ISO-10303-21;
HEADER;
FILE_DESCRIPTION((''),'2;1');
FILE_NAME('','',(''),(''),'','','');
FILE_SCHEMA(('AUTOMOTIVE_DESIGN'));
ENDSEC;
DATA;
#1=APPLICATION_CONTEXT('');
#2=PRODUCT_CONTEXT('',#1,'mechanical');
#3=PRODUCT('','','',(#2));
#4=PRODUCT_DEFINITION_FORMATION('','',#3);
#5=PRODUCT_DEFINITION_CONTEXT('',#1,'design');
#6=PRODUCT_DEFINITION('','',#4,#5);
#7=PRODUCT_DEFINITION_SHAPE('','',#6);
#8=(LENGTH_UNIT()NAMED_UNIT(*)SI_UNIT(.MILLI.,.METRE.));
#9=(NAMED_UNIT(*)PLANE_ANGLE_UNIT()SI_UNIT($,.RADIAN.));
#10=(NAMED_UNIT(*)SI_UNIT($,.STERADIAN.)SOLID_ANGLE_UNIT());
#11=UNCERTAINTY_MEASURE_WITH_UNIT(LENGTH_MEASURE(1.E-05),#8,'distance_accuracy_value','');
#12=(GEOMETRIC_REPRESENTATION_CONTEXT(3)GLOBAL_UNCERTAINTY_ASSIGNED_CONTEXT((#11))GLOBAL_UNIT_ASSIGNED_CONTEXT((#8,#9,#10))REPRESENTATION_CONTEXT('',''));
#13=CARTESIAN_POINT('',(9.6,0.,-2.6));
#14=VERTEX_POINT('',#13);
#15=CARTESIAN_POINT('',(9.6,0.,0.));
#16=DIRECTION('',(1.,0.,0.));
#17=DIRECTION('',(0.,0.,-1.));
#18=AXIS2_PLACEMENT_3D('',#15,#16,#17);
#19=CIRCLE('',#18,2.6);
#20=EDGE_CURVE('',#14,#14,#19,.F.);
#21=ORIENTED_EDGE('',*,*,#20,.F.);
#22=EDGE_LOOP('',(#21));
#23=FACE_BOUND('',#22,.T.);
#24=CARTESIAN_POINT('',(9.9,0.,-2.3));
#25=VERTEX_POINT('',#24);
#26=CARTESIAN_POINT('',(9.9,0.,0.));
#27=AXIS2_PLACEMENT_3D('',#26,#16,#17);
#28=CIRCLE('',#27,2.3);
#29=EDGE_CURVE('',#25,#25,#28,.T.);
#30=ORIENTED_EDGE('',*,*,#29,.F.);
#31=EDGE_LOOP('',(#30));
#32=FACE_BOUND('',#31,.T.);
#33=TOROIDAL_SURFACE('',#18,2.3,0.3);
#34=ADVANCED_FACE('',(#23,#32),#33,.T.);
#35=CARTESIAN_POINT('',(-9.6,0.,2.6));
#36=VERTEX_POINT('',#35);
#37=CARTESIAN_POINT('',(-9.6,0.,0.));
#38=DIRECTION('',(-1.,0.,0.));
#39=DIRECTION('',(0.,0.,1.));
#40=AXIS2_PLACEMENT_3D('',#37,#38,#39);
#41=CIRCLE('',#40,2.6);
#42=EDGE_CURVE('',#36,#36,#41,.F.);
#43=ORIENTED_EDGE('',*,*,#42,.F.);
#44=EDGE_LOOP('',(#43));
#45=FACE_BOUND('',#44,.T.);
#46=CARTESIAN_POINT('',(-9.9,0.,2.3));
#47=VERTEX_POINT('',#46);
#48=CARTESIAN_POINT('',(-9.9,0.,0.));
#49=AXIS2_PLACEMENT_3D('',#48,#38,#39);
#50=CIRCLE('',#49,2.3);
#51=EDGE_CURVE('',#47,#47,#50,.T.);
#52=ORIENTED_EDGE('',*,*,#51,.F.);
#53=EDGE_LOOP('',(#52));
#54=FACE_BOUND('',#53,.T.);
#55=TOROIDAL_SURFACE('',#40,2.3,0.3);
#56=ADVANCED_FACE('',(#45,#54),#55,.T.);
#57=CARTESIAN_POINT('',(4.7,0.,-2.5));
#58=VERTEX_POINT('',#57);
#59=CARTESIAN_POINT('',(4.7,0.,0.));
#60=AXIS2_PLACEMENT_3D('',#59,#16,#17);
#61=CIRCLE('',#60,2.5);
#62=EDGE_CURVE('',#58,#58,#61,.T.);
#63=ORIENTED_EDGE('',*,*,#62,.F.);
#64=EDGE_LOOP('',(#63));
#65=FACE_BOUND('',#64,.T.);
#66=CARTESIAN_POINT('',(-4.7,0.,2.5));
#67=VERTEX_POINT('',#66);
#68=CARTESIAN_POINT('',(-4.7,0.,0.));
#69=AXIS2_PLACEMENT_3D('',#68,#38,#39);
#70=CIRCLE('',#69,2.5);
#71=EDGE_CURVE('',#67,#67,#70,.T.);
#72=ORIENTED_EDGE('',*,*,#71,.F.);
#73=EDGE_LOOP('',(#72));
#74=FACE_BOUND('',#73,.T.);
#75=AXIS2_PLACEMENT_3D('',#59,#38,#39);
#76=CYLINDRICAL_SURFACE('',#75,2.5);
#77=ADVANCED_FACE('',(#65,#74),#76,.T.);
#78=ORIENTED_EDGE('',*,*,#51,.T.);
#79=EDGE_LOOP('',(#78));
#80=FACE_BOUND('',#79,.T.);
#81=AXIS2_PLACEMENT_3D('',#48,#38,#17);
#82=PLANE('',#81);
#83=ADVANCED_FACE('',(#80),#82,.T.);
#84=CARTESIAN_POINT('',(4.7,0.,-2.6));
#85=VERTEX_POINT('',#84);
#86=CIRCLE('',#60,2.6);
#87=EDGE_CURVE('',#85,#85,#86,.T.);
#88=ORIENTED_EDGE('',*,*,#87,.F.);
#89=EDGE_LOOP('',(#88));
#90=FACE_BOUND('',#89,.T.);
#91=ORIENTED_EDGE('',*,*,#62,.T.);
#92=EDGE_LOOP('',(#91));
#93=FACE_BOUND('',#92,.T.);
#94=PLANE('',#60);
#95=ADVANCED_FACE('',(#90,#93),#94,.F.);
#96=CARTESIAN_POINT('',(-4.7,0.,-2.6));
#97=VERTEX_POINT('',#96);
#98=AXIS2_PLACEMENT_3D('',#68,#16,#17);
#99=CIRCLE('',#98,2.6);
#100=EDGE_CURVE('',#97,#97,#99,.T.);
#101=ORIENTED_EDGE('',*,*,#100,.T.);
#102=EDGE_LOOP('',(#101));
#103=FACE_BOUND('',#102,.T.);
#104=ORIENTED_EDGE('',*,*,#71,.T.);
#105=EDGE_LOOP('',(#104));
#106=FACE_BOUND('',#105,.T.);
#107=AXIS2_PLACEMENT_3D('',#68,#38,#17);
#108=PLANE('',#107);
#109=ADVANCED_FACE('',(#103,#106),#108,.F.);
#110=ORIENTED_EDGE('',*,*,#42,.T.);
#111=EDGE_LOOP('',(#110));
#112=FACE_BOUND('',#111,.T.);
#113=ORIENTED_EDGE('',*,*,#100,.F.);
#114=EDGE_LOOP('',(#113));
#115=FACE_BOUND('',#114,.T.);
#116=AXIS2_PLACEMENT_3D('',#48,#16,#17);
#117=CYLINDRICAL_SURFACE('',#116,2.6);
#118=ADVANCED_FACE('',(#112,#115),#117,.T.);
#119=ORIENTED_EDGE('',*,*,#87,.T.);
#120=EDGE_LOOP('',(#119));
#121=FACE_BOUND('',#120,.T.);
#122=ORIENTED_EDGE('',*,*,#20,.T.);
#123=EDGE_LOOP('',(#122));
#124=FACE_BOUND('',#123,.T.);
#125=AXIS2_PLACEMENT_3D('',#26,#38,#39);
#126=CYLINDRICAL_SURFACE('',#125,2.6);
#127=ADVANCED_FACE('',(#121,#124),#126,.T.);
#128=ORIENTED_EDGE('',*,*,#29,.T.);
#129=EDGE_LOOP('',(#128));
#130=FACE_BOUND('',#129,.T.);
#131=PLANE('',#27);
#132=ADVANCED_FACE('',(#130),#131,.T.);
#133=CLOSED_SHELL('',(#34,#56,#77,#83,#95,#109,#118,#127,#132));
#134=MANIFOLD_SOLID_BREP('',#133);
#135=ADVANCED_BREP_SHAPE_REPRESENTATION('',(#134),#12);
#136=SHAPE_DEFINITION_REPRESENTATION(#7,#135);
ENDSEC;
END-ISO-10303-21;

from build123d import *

# Parameters (mm, degrees)
ESQUISSE1_R           = 2.5
BOSS_EXTRU_1_DEPTH    = 4.7
ESQUISSE2_R           = 2.6
BOSS_EXTRU_2_DEPTH    = 5.2
CONG_1_R              = 0.3
CONG_1_OF_SYM_TRIE1_R = 0.3


with BuildPart() as part:
    # Esquisse1 → Boss.-Extru.1 (new body, symmetric)
    with BuildSketch(Plane(origin=(0, 0, 0), x_dir=(0, 0, -1), z_dir=(1, 0, 0))):
        Circle(ESQUISSE1_R)
    extrude(amount=BOSS_EXTRU_1_DEPTH, both=True)

    # Esquisse2 → Boss.-Extru.2 (add)
    with BuildSketch(Plane(origin=(4.7, 0, 0), x_dir=(0, 0, -1), z_dir=(1, 0, 0))):
        Circle(ESQUISSE2_R)
    boss_extru_2 = extrude(amount=BOSS_EXTRU_2_DEPTH)

    # Congé1
    cong_1_edges = [part.edges().sort_by_distance(p)[0] for p in [
        (9.9, 0, 2.6),
    ]]
    fillet(cong_1_edges, radius=CONG_1_R)

    # Symétrie1: Boss.-Extru.2 across plane
    add(boss_extru_2.mirror(Plane(origin=(0, 0, 0), x_dir=(0, 0, 1), z_dir=(1, 0, 0))))

    # Congé1 of Symétrie1
    cong_1_of_sym_trie1_edges = [part.edges().sort_by_distance(p)[0] for p in [
        (-9.9, 0, 2.6),
    ]]
    fillet(cong_1_of_sym_trie1_edges, radius=CONG_1_OF_SYM_TRIE1_R)


solid = part.part
